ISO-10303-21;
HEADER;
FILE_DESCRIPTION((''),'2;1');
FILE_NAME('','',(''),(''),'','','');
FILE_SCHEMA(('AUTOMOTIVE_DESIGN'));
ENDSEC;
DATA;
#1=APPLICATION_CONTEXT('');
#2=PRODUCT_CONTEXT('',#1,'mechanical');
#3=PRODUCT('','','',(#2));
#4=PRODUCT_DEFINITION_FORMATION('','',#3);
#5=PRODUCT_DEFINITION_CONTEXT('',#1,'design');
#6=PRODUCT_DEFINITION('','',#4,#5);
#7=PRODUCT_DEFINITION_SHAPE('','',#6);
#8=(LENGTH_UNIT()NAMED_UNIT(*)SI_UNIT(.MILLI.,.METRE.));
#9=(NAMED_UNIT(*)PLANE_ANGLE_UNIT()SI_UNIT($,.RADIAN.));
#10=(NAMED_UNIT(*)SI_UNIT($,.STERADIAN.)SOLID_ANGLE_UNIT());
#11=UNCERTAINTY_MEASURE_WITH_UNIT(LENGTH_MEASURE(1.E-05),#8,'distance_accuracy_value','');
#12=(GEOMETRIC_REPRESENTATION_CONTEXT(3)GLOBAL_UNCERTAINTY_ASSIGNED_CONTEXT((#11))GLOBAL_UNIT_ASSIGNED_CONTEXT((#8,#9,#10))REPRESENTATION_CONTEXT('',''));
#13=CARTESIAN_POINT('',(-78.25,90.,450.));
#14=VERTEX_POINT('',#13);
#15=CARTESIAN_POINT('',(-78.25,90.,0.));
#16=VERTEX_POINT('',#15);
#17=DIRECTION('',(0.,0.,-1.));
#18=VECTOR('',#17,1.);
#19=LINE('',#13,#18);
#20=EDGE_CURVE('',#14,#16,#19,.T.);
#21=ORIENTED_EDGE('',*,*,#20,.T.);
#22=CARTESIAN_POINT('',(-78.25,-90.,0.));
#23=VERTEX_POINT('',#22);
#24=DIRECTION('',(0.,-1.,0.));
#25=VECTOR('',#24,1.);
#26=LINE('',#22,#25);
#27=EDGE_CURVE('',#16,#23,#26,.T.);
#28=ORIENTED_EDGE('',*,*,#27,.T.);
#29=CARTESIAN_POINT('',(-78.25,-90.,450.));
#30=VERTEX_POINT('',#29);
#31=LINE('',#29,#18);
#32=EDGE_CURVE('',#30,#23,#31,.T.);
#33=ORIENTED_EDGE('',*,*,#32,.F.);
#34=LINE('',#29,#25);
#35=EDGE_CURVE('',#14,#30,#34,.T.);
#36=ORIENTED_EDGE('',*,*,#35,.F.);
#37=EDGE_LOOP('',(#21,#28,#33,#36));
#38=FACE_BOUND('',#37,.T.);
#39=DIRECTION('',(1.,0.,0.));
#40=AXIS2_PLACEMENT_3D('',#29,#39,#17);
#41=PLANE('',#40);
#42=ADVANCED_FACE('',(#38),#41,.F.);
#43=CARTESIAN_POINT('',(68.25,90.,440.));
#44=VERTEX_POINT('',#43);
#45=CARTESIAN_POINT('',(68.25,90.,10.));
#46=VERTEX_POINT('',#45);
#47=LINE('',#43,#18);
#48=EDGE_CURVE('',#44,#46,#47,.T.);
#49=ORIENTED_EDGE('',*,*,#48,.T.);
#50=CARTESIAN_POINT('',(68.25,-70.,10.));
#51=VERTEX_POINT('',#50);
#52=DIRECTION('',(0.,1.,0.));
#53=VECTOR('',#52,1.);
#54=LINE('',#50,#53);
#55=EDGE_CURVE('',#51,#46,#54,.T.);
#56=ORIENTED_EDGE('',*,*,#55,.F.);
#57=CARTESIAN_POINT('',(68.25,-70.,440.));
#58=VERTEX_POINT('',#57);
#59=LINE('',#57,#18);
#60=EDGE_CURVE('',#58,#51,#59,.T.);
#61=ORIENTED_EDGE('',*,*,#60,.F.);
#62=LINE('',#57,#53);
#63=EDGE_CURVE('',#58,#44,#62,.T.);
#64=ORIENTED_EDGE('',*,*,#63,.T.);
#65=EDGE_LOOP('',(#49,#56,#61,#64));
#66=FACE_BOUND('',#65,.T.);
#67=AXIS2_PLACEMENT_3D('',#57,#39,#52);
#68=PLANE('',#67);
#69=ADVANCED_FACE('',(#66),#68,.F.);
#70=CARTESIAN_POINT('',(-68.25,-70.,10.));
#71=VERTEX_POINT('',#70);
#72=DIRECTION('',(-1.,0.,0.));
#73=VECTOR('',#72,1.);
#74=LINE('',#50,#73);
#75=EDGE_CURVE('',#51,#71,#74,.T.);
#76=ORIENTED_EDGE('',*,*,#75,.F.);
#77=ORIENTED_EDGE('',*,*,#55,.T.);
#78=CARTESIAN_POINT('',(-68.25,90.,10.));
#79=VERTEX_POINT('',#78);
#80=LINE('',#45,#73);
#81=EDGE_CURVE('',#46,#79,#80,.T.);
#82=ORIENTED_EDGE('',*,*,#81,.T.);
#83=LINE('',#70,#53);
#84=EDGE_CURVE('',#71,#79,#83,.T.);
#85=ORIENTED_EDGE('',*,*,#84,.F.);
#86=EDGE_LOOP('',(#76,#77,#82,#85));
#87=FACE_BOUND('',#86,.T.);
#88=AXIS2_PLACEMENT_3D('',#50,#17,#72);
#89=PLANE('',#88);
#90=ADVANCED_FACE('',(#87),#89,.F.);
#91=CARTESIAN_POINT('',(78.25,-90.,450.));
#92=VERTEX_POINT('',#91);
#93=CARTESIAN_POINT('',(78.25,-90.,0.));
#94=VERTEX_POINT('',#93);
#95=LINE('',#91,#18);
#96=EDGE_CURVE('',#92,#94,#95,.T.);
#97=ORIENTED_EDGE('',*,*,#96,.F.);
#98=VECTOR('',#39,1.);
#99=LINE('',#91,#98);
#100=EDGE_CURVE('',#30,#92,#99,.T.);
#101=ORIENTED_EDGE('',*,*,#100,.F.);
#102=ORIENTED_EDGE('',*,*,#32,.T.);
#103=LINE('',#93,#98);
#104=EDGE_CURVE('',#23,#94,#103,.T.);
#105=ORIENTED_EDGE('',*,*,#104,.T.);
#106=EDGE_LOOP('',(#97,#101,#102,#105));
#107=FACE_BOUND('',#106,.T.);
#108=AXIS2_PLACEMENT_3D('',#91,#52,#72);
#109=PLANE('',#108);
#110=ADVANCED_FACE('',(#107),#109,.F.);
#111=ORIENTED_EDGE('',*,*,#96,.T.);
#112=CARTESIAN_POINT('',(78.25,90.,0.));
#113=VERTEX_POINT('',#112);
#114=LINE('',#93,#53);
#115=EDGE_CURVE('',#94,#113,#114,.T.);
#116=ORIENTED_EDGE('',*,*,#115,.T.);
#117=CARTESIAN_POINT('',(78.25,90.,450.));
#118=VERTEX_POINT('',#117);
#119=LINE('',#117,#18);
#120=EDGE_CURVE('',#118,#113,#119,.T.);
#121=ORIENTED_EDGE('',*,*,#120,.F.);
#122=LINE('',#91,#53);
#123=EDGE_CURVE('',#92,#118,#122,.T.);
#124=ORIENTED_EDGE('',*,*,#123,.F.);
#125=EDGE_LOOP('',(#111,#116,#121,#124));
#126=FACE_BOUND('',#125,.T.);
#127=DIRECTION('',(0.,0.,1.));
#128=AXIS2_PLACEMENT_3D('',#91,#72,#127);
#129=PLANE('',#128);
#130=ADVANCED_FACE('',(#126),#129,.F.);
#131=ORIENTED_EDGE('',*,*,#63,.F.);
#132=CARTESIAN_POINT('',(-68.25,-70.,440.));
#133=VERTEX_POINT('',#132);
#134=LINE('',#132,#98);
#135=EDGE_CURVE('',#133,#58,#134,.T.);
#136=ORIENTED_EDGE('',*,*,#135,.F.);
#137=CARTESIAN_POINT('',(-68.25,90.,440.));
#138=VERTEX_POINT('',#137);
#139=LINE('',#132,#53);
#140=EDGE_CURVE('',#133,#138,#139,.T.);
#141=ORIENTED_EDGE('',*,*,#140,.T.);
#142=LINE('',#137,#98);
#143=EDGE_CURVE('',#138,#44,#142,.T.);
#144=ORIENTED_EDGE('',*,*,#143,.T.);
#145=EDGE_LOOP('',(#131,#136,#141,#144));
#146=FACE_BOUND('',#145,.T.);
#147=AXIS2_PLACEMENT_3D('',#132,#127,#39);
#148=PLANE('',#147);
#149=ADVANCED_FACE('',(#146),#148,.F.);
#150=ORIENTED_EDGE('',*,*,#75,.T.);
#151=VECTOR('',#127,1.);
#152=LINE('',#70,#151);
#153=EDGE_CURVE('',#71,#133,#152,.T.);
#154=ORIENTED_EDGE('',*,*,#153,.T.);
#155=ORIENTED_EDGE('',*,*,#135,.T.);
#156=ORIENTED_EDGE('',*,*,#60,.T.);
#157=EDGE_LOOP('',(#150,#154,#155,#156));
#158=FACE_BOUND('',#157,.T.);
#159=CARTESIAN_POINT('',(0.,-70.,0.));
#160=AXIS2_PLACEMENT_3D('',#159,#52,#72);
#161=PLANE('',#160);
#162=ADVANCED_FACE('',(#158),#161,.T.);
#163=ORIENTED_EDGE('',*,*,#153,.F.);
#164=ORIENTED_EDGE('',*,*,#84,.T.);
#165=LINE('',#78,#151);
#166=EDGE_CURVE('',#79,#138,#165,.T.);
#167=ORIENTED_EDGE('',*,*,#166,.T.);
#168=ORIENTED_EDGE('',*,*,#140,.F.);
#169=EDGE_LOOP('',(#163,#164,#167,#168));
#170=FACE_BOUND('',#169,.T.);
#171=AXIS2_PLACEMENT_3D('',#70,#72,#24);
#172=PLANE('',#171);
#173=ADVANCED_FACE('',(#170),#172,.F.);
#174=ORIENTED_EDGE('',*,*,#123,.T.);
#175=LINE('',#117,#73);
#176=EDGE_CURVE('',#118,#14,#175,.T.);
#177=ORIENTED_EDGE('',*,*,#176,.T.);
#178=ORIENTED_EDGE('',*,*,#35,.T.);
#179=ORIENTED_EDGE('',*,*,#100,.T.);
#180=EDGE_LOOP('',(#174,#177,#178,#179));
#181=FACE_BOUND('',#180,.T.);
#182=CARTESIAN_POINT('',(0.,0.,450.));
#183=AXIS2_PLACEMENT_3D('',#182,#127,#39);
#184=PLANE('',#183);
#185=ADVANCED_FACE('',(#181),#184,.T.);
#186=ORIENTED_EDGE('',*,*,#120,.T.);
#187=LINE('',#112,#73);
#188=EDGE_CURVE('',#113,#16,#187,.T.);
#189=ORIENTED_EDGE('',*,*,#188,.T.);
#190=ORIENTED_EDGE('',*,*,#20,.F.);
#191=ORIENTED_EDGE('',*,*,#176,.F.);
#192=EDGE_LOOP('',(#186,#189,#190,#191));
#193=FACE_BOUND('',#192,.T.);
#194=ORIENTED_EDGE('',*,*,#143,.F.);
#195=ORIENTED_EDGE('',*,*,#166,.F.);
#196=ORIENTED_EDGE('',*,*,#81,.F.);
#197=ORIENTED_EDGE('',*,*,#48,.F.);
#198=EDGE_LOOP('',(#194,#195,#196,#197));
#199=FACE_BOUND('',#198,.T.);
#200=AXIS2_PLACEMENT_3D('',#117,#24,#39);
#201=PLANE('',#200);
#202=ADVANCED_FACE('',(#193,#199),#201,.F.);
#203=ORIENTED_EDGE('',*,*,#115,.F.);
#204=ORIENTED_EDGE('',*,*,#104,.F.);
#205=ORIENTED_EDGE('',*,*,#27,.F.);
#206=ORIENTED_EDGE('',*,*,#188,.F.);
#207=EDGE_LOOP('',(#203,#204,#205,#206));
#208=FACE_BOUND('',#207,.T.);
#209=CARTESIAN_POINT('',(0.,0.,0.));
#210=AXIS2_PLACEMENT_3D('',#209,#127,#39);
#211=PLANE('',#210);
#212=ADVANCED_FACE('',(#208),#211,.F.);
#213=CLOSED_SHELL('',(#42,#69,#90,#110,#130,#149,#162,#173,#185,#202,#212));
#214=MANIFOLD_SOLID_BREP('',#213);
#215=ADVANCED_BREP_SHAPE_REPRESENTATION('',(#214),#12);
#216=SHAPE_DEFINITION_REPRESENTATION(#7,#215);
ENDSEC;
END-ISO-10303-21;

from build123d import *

# Parameters (mm, degrees)
SKETCH2_W           = 156.5
SKETCH2_H           = 180
BOSS_EXTRUDE1_DEPTH = 450
SKETCH3_W           = 136.5
SKETCH3_H           = 430
CUT_EXTRUDE1_DEPTH  = 160


with BuildPart() as part:
    # Sketch2 → Boss-Extrude1 (new body)
    with BuildSketch(Plane.XY):
        Rectangle(SKETCH2_W, SKETCH2_H)
    extrude(amount=BOSS_EXTRUDE1_DEPTH)

    # Sketch3 → Cut-Extrude1 (cut)
    with BuildSketch(Plane(origin=(0, 90, 0), x_dir=(1, 0, 0), z_dir=(0, 1, 0))):
        with Locations((0, -225)):
            Rectangle(SKETCH3_W, SKETCH3_H)
    extrude(amount=-CUT_EXTRUDE1_DEPTH, mode=Mode.SUBTRACT)


solid = part.part
